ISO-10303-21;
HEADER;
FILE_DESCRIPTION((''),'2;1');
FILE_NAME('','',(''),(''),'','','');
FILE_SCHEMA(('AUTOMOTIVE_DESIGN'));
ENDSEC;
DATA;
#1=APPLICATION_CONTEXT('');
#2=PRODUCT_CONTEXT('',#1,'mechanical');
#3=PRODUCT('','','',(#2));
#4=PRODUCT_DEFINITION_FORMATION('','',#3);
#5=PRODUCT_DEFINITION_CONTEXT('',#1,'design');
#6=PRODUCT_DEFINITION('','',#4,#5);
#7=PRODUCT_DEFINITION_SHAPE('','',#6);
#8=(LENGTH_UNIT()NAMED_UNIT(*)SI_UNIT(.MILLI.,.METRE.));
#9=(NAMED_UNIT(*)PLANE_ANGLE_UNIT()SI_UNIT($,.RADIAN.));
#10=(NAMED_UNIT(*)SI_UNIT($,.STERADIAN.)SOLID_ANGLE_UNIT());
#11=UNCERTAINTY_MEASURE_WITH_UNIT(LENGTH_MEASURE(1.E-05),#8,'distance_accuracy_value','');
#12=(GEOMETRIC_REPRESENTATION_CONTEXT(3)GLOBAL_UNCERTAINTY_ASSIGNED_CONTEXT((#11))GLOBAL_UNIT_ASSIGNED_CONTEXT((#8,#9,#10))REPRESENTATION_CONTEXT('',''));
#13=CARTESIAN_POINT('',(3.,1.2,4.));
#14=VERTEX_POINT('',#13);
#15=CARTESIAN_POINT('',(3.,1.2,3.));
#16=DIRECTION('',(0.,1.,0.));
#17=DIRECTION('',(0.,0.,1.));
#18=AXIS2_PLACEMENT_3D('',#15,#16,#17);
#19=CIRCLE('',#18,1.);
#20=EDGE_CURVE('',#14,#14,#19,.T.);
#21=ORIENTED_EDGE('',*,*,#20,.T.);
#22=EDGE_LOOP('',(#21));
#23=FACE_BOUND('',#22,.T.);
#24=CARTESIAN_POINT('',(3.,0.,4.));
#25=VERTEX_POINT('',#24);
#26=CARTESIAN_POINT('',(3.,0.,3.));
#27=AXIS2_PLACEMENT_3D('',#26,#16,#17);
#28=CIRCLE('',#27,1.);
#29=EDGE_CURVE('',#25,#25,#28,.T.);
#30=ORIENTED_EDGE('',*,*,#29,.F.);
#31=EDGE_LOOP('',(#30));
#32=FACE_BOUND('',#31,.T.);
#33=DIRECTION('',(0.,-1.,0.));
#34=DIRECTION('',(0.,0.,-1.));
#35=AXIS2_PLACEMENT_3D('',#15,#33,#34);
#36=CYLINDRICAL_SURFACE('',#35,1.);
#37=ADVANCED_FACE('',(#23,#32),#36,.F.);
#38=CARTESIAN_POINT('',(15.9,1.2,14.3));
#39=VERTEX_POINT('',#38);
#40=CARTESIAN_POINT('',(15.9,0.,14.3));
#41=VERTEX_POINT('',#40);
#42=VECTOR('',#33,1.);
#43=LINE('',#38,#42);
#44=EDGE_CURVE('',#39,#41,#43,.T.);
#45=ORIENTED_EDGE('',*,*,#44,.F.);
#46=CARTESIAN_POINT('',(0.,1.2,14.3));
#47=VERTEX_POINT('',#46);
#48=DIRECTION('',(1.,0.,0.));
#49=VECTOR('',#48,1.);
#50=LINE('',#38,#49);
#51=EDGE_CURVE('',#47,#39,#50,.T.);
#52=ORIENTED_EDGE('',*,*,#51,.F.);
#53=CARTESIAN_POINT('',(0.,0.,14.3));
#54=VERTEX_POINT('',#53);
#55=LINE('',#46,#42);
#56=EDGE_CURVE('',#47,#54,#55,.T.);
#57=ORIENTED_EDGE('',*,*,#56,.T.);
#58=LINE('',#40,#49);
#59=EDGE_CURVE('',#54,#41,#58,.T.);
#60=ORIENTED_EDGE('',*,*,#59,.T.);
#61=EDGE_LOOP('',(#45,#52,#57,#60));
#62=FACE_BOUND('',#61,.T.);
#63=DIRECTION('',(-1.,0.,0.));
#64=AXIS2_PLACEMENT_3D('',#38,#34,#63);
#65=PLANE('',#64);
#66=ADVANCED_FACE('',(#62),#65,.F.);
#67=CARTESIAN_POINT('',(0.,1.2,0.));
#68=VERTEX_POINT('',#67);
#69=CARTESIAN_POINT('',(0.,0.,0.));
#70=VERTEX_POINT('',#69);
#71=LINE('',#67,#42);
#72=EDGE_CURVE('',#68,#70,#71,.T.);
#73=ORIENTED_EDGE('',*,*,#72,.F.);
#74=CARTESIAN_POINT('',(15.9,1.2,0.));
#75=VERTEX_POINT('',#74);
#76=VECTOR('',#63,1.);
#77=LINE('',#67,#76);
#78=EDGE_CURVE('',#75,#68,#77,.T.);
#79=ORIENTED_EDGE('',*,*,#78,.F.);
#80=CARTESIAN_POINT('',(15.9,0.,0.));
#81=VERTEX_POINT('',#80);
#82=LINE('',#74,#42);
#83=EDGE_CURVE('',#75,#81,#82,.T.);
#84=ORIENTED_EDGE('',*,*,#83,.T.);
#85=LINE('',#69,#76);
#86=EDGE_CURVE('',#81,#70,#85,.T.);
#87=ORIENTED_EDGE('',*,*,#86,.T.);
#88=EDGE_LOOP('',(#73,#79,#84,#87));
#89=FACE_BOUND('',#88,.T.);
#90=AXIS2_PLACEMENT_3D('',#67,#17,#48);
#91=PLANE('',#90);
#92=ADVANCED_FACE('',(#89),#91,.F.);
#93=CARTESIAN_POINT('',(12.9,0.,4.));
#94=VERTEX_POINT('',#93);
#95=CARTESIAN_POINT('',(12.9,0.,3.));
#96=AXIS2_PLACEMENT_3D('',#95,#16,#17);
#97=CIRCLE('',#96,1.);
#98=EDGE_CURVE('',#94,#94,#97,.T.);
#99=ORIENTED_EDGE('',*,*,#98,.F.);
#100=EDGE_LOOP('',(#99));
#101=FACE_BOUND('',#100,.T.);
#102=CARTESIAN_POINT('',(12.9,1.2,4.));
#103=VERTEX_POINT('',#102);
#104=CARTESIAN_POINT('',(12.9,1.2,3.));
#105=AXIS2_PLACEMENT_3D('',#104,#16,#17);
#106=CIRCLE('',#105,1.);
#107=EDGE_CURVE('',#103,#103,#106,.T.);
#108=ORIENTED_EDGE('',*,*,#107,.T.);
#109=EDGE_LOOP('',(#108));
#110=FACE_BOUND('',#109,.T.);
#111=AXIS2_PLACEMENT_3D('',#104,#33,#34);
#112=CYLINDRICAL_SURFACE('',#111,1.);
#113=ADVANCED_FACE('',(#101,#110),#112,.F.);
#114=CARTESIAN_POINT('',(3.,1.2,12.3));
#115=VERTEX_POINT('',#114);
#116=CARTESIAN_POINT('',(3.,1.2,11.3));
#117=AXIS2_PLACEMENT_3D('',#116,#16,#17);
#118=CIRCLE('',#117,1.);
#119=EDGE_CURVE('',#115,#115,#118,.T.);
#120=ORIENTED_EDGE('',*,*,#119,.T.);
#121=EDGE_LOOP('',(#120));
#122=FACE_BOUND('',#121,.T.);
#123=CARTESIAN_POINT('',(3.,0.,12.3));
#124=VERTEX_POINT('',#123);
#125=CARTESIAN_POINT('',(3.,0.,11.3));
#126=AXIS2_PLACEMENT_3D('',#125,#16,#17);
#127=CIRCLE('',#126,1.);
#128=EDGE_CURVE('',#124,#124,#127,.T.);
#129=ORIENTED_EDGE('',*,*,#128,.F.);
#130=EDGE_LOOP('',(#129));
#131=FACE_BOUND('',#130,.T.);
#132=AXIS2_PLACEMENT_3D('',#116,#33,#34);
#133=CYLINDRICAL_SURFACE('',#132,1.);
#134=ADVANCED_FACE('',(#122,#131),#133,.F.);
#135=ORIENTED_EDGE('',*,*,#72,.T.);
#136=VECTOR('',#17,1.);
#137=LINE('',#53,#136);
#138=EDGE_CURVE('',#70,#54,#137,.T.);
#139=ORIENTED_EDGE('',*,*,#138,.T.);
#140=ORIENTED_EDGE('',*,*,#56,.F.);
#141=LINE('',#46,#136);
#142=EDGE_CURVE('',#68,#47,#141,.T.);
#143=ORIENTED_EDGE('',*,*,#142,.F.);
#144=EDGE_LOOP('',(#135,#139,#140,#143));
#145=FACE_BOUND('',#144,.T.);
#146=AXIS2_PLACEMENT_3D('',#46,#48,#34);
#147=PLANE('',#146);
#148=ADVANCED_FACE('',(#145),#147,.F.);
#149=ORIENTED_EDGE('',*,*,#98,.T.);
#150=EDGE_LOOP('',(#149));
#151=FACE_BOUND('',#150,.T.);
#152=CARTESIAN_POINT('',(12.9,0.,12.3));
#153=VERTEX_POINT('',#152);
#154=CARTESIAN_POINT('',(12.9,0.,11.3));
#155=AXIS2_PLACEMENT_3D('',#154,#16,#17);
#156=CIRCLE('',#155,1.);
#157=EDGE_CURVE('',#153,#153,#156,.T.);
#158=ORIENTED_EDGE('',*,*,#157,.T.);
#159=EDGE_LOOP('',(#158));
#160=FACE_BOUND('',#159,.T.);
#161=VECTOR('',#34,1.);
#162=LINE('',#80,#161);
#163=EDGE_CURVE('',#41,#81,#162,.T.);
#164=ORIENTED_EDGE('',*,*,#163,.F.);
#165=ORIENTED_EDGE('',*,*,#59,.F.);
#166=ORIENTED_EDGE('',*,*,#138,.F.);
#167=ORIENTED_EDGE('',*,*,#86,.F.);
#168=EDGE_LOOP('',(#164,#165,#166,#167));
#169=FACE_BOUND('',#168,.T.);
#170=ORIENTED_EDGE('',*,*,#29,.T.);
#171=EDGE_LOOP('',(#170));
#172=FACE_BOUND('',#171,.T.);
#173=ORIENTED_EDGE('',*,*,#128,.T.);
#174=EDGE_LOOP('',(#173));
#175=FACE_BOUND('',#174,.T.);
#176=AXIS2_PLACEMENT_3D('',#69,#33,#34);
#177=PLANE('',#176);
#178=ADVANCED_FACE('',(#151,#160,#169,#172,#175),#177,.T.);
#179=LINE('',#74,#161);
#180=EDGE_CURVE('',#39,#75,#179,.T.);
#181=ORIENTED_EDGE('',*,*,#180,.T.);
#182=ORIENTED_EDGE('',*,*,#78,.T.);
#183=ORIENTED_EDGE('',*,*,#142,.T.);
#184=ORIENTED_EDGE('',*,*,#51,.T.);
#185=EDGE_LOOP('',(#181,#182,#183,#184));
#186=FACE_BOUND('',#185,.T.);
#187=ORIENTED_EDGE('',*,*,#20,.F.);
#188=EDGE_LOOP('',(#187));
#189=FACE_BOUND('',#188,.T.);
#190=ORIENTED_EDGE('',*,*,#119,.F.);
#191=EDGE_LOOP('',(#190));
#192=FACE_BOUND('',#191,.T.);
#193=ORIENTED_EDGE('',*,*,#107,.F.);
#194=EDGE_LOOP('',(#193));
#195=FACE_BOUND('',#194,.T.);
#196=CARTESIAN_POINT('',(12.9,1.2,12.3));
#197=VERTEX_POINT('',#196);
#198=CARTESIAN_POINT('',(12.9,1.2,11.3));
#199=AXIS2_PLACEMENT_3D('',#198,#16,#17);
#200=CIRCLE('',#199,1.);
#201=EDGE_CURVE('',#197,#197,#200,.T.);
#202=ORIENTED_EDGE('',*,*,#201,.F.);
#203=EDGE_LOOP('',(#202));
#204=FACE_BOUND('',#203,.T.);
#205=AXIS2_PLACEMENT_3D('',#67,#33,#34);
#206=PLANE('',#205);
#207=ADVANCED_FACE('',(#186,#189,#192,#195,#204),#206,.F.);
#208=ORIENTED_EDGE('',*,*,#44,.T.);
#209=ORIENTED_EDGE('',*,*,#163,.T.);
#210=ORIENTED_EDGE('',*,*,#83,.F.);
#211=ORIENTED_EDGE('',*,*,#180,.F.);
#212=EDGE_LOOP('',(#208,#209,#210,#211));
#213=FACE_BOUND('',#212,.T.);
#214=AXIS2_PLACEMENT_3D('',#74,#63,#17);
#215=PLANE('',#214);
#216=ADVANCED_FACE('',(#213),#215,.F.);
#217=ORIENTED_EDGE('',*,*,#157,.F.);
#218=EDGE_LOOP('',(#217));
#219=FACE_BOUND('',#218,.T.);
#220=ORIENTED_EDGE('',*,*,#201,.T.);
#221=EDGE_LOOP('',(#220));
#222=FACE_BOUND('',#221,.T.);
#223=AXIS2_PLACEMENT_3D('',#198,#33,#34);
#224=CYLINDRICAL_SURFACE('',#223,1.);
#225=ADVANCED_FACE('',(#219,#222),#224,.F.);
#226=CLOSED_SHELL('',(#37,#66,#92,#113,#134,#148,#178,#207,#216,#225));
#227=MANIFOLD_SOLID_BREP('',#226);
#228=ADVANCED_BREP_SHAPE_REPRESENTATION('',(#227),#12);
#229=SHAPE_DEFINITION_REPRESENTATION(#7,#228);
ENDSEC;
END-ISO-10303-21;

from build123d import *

# Parameters (mm, degrees)
ESQUISSE3_W        = 15.9
ESQUISSE3_H        = 14.3
ESQUISSE3_R        = 1
BOSS_EXTRU_1_DEPTH = 1.2


with BuildPart() as part:
    # Esquisse3 → Boss.-Extru.1 (new body)
    with BuildSketch(Plane(origin=(0, 0, 0), x_dir=(1, 0, 0), z_dir=(0, 1, 0))):
        with Locations((7.95, -7.15)):
            Rectangle(ESQUISSE3_W, ESQUISSE3_H)
        with Locations(Location((3, -3, 0), (0, 0, 270))):
            Circle(ESQUISSE3_R, mode=Mode.SUBTRACT)
        with Locations(Location((12.9, -3, 0), (0, 0, 270))):
            Circle(ESQUISSE3_R, mode=Mode.SUBTRACT)
        with Locations(Location((12.9, -11.3, 0), (0, 0, 270))):
            Circle(ESQUISSE3_R, mode=Mode.SUBTRACT)
        with Locations(Location((3, -11.3, 0), (0, 0, 270))):
            Circle(ESQUISSE3_R, mode=Mode.SUBTRACT)
    extrude(amount=BOSS_EXTRU_1_DEPTH)


solid = part.part
